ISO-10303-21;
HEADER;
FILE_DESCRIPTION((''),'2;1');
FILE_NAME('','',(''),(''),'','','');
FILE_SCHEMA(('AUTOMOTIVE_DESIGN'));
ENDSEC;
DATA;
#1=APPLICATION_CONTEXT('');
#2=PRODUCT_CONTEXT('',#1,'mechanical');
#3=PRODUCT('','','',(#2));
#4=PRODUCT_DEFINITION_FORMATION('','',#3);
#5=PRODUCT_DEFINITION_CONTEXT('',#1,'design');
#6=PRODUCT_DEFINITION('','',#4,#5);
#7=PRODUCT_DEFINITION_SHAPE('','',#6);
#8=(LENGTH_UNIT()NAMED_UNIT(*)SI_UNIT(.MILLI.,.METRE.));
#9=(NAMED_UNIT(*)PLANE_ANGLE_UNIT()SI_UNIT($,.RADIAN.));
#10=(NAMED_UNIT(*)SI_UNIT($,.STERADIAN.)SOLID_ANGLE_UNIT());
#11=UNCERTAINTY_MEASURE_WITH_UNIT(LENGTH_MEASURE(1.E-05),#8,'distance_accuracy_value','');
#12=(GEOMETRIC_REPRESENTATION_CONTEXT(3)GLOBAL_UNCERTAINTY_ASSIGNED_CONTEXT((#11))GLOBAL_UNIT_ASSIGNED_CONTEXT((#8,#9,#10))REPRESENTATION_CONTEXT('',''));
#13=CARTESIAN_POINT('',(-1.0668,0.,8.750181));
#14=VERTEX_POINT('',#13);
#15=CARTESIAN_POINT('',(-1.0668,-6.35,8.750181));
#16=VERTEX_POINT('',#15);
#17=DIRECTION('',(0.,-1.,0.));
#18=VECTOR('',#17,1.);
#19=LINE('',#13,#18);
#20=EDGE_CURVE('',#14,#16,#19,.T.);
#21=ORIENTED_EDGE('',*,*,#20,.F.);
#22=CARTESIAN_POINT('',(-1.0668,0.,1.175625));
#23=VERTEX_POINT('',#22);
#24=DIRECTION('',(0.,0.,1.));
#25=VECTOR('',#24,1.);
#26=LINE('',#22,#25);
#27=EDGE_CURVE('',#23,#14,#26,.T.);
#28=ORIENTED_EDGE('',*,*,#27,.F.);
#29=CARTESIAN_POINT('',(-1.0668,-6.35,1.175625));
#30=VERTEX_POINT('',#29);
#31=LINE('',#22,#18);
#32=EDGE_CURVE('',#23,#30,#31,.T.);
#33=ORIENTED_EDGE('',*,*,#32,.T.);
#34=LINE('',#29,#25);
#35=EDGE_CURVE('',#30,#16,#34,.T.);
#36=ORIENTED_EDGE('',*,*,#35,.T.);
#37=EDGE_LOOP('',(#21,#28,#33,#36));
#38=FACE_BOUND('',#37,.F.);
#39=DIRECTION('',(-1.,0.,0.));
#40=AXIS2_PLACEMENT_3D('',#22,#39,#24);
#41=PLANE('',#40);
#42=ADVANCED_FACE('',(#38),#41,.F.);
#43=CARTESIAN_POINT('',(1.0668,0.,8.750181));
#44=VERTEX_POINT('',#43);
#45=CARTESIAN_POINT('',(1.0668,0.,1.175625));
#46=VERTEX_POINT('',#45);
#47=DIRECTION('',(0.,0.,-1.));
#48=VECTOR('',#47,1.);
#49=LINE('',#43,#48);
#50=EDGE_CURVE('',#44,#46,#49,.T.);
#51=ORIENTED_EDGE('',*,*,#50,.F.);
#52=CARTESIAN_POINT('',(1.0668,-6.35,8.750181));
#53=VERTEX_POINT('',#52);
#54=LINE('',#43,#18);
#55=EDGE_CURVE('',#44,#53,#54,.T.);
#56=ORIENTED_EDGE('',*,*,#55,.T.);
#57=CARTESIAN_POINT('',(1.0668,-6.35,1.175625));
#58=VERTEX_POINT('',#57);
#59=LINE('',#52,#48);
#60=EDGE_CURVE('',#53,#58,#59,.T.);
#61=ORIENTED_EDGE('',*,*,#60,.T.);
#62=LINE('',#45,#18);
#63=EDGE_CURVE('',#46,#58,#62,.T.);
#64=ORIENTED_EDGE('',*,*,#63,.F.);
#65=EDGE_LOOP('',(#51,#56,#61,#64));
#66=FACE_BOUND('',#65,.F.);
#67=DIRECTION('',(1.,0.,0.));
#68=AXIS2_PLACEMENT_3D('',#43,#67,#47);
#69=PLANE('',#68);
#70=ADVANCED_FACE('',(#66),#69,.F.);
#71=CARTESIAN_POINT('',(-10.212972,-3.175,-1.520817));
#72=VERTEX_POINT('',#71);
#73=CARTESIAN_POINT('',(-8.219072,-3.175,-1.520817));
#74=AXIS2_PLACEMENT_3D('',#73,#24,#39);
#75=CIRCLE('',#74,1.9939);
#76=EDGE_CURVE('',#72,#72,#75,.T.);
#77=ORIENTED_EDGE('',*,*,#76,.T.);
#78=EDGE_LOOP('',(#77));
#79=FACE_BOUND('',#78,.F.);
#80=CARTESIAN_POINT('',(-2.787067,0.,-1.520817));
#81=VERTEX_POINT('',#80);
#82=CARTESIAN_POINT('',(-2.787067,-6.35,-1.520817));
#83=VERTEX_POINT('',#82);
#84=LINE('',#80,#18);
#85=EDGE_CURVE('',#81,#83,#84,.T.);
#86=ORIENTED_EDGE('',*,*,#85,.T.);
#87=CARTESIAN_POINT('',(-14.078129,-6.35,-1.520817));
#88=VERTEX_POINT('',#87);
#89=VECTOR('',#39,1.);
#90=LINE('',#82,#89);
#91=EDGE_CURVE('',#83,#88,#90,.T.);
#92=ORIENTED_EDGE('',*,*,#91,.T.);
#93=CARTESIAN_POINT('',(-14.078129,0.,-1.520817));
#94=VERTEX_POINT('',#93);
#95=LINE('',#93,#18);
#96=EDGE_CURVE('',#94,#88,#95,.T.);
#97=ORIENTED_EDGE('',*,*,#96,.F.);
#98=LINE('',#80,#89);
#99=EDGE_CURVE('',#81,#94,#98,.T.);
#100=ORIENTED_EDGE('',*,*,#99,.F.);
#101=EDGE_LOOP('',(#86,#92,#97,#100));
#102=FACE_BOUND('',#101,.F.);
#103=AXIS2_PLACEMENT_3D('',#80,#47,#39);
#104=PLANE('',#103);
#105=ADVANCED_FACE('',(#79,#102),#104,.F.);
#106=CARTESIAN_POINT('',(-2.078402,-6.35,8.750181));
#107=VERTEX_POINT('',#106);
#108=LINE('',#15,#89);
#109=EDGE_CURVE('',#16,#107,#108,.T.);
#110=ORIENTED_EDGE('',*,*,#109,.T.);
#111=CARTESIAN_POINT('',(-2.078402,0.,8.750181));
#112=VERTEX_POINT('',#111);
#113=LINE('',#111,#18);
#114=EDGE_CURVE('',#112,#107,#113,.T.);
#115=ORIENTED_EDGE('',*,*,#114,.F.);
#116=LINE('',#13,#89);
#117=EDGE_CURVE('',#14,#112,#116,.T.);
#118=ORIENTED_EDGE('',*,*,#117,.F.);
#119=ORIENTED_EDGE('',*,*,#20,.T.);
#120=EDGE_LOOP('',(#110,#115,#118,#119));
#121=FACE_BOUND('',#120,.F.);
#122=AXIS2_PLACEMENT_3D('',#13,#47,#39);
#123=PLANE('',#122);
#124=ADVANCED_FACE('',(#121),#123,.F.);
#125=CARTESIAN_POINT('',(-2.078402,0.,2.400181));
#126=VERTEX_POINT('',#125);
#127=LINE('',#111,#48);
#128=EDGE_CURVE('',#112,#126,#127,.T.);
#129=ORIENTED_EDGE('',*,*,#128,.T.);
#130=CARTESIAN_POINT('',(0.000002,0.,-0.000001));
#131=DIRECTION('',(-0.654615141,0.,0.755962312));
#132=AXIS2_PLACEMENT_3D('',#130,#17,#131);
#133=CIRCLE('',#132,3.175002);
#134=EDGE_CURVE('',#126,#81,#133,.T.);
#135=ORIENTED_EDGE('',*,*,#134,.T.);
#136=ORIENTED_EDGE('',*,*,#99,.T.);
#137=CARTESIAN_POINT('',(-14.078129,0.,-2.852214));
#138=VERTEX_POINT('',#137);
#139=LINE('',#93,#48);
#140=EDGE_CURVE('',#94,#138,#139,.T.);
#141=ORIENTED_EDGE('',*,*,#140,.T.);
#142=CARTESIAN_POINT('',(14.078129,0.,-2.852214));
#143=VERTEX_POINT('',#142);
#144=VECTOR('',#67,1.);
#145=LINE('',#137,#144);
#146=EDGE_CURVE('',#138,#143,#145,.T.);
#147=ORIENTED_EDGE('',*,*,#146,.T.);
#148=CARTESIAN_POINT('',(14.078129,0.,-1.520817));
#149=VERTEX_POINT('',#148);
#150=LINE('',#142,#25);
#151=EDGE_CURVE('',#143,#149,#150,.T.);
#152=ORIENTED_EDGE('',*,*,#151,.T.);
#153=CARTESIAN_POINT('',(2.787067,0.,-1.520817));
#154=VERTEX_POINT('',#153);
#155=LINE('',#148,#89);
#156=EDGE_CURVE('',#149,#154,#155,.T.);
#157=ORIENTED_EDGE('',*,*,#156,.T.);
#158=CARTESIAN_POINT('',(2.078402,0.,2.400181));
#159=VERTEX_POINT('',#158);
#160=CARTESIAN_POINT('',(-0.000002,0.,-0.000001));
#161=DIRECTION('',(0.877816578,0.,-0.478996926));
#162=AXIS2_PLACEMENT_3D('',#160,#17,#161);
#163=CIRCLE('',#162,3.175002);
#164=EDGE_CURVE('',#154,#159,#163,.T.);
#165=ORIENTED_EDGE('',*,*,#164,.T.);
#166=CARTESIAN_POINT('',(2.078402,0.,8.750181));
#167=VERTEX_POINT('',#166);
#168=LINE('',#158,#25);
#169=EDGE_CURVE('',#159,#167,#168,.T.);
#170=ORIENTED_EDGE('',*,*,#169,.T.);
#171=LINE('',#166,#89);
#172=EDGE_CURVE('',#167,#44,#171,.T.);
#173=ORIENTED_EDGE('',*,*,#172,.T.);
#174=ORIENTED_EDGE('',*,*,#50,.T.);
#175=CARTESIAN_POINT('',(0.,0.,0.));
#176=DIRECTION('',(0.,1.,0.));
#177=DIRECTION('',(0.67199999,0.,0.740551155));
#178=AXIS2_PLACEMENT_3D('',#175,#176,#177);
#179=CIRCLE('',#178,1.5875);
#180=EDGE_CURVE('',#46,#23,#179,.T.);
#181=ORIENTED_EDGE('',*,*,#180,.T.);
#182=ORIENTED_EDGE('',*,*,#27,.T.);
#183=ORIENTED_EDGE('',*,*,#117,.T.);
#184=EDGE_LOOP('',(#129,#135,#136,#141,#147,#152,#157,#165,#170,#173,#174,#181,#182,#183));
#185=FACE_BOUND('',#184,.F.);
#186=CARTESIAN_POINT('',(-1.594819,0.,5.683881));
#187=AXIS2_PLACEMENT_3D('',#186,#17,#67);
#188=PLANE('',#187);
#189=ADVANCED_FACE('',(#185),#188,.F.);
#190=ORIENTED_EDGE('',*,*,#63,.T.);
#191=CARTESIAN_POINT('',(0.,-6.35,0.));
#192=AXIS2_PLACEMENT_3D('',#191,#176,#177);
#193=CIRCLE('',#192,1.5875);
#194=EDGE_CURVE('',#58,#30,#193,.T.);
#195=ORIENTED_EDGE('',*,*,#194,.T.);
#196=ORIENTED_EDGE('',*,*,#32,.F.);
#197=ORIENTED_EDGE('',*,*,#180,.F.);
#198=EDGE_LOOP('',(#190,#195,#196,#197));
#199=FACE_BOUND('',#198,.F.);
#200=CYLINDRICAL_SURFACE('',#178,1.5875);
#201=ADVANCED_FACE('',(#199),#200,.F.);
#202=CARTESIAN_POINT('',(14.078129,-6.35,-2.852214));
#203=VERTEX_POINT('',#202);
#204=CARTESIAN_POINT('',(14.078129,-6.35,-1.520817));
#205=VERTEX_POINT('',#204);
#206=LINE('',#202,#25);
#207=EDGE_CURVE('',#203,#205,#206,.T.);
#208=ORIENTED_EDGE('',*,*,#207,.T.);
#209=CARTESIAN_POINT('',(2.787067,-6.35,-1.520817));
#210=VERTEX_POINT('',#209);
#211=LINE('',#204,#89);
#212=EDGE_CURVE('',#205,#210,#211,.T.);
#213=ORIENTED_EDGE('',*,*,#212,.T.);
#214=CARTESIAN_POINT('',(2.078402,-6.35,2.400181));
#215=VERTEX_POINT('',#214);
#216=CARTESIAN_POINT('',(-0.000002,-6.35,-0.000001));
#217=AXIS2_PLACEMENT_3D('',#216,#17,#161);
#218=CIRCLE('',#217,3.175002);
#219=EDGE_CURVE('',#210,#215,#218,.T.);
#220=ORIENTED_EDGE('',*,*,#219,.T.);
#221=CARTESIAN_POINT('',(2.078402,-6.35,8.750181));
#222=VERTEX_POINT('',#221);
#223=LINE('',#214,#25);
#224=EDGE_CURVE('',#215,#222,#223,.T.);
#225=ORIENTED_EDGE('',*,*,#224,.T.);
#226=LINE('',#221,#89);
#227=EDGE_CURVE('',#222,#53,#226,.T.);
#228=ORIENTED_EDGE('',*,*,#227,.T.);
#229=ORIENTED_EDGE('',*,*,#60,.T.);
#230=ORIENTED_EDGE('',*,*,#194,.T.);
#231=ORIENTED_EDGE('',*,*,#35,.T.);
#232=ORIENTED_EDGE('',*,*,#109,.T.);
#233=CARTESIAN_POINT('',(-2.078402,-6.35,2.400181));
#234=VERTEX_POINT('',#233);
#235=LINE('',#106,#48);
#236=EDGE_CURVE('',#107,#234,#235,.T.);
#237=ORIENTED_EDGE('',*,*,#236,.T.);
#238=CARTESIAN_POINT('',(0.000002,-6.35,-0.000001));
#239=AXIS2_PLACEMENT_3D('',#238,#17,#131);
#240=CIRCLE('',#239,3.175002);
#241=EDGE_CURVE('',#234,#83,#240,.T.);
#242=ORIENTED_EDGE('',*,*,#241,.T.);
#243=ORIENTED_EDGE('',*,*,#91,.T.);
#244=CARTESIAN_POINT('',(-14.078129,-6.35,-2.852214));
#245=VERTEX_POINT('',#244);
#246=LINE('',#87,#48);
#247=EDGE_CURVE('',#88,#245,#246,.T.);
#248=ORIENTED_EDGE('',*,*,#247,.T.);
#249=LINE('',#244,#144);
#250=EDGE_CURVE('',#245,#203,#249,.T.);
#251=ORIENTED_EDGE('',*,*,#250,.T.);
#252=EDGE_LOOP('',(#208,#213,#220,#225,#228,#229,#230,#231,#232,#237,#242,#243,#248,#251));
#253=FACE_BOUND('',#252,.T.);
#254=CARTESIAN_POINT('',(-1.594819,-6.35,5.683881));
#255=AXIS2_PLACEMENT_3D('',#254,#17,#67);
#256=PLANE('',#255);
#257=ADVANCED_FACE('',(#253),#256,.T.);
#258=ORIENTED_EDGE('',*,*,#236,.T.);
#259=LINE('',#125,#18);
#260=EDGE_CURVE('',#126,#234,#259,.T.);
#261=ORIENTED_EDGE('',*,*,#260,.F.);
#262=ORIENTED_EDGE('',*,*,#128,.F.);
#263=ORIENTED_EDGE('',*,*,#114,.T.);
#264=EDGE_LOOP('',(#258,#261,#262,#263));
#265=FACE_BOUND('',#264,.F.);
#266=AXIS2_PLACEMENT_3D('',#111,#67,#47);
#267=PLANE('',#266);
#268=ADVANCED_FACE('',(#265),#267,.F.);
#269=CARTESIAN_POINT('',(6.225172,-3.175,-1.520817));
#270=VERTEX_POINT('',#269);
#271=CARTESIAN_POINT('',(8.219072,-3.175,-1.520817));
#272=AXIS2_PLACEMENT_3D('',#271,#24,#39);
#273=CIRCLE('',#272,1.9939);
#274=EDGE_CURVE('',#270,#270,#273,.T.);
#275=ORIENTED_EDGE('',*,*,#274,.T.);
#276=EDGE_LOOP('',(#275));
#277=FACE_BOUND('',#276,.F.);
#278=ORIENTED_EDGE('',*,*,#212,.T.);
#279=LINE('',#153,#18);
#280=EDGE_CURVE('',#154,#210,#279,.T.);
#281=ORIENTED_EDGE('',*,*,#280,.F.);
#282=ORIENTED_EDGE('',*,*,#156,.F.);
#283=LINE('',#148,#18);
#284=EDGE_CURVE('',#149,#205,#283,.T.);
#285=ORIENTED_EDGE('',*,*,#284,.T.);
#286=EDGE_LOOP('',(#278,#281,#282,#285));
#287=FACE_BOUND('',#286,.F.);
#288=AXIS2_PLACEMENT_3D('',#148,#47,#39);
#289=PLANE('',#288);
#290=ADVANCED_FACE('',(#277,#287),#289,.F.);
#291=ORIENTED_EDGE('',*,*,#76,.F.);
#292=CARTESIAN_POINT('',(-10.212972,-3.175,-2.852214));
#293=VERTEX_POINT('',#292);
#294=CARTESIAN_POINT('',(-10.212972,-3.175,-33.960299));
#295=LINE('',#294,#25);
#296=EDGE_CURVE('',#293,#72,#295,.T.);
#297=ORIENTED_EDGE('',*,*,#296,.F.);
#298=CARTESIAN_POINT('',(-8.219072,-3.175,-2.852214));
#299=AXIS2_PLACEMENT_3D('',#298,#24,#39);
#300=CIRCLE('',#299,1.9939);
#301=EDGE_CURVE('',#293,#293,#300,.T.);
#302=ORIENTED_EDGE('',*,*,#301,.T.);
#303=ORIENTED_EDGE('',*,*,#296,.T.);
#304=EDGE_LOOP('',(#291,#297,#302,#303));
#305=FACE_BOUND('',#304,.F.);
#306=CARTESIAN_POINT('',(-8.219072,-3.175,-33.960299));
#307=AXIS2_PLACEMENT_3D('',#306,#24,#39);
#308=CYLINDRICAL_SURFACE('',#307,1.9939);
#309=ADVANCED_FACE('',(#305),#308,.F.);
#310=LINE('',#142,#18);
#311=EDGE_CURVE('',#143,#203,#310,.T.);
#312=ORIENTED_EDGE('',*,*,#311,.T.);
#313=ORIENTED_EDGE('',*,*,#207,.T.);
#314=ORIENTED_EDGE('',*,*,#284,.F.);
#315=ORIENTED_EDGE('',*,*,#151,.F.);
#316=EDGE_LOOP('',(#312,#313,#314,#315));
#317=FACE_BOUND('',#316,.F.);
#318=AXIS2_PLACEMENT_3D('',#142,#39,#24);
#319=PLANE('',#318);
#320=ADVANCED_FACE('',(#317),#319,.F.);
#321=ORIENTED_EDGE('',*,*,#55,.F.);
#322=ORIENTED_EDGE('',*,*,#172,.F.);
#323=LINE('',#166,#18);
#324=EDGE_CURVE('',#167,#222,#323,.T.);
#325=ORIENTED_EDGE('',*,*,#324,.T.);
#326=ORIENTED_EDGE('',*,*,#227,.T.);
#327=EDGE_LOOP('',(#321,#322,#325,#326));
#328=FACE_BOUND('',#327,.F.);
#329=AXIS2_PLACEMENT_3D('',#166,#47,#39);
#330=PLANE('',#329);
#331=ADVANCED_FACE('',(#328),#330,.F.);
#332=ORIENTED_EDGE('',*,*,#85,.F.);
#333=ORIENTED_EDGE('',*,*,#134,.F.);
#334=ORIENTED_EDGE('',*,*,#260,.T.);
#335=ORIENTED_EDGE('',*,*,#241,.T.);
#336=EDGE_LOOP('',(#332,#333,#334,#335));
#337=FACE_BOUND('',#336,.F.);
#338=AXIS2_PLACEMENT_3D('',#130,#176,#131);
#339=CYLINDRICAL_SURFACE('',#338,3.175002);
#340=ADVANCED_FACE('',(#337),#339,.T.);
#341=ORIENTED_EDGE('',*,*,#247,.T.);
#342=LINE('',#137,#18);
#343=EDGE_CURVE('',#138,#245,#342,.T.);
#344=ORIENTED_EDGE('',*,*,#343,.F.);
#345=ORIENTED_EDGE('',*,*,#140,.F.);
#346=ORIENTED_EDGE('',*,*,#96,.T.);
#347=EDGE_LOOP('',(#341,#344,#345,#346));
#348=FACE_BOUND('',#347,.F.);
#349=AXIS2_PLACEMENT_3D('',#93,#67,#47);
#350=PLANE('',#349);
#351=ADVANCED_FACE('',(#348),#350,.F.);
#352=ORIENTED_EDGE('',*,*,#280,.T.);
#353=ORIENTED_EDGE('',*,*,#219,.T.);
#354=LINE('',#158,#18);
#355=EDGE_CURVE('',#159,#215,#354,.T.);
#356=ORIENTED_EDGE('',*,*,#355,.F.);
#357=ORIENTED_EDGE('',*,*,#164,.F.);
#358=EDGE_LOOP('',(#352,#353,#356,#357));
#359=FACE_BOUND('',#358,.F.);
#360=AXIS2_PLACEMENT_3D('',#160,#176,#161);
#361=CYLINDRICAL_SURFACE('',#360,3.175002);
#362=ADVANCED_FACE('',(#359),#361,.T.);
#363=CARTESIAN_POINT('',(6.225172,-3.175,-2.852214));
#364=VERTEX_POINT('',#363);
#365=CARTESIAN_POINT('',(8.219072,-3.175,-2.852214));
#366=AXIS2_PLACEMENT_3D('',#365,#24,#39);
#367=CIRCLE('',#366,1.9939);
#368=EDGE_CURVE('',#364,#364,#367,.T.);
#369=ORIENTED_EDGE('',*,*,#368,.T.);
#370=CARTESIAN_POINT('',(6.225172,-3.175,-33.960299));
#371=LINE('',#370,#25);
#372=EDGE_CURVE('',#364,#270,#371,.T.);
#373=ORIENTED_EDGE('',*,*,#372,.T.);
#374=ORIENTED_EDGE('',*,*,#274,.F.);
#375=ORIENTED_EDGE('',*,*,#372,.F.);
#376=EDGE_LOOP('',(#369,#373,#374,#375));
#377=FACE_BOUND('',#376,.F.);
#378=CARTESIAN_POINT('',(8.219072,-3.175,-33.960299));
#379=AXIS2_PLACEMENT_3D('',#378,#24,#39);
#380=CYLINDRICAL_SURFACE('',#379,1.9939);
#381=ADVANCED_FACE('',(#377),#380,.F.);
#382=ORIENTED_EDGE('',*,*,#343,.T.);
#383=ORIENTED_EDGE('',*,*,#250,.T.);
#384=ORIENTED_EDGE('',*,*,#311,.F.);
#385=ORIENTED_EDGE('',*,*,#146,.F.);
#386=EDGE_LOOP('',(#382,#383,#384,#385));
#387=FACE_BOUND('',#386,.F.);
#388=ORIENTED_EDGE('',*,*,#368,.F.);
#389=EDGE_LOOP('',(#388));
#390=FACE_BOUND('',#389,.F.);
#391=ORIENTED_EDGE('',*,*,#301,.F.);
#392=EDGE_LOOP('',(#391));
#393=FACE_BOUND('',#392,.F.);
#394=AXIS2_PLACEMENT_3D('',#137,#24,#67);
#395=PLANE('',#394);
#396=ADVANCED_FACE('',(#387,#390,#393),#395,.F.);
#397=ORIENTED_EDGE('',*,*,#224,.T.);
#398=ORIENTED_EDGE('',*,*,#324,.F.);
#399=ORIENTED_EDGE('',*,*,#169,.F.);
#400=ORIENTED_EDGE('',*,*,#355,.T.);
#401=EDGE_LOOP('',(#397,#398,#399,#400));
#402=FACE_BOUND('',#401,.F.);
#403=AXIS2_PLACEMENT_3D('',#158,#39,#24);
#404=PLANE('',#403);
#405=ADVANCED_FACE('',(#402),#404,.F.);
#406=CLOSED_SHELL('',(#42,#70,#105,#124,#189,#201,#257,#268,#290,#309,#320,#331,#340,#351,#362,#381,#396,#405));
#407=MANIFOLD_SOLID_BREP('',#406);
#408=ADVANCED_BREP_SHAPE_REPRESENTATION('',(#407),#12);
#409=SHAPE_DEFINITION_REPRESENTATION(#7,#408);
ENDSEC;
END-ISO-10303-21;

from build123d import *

# Parameters (mm, degrees)
F1_DEPTH = 6.35
F4_D     = 3.9878


with BuildPart() as f1:
    # F0 (on Front) → F1 (new body)
    with BuildSketch(Plane.XZ):
        with BuildLine():
            ThreePointArc((-2.078402, 2.400181), (-1.600052, 2.742345), (-1.0668, 2.990412))
            Line((-1.0668, 2.990412), (-1.0668, 4.192946))
            Line((-1.0668, 4.192946), (-1.0668, 8.750181))
            Line((-1.0668, 8.750181), (-2.078402, 8.750181))
            Line((-2.078402, 8.750181), (-2.078402, 4.192946))
            Line((-2.078402, 4.192946), (-2.078402, 2.400181))
        make_face()
        with BuildLine():
            ThreePointArc((1.0668, 1.175625), (0, -1.5875), (-1.0668, 1.175625))
            Line((-1.0668, 1.175625), (-1.0668, 2.990412))
            ThreePointArc((-1.0668, 2.990412), (-1.600052, 2.742345), (-2.078402, 2.400181))
            ThreePointArc((-2.078402, 2.400181), (-3.12438, 0.564687), (-2.787067, -1.520817))
            ThreePointArc((-2.787067, -1.520817), (-2.194353, -2.294655), (-1.394812, -2.852214))
            Line((-1.394812, -2.852214), (1.394812, -2.852214))
            ThreePointArc((1.394812, -2.852214), (2.194353, -2.294655), (2.787067, -1.520817))
            ThreePointArc((2.787067, -1.520817), (3.12438, 0.564687), (2.078402, 2.400181))
            ThreePointArc((2.078402, 2.400181), (1.600052, 2.742345), (1.0668, 2.990412))
            Line((1.0668, 2.990412), (1.0668, 1.175625))
        make_face()
        with BuildLine():
            Line((1.0668, 4.192946), (1.0668, 2.990412))
            ThreePointArc((1.0668, 2.990412), (1.600052, 2.742345), (2.078402, 2.400181))
            Line((2.078402, 2.400181), (2.078402, 4.192946))
            Line((2.078402, 4.192946), (2.078402, 8.750181))
            Line((2.078402, 8.750181), (1.0668, 8.750181))
            Line((1.0668, 8.750181), (1.0668, 4.192946))
        make_face()
        with BuildLine():
            Line((14.078129, -1.520817), (2.787067, -1.520817))
            ThreePointArc((2.787067, -1.520817), (2.194353, -2.294655), (1.394812, -2.852214))
            Line((1.394812, -2.852214), (14.078129, -2.852214))
            Line((14.078129, -2.852214), (14.078129, -1.520817))
        make_face()
        with BuildLine():
            ThreePointArc((-1.394812, -2.852214), (-2.194353, -2.294655), (-2.787067, -1.520817))
            Line((-2.787067, -1.520817), (-14.078129, -1.520817))
            Line((-14.078129, -1.520817), (-14.078129, -2.852214))
            Line((-14.078129, -2.852214), (-1.394812, -2.852214))
        make_face()
    extrude(amount=F1_DEPTH)

    # F4 (through all)
    with Locations(Plane(origin=(0, 0, -2.852214), x_dir=(1, 0, 0), z_dir=(0, 0, -1))):
        with Locations((-8.219072, 3.175), (8.219072, 3.175)):
            Hole(F4_D / 2)


solid = f1.part
